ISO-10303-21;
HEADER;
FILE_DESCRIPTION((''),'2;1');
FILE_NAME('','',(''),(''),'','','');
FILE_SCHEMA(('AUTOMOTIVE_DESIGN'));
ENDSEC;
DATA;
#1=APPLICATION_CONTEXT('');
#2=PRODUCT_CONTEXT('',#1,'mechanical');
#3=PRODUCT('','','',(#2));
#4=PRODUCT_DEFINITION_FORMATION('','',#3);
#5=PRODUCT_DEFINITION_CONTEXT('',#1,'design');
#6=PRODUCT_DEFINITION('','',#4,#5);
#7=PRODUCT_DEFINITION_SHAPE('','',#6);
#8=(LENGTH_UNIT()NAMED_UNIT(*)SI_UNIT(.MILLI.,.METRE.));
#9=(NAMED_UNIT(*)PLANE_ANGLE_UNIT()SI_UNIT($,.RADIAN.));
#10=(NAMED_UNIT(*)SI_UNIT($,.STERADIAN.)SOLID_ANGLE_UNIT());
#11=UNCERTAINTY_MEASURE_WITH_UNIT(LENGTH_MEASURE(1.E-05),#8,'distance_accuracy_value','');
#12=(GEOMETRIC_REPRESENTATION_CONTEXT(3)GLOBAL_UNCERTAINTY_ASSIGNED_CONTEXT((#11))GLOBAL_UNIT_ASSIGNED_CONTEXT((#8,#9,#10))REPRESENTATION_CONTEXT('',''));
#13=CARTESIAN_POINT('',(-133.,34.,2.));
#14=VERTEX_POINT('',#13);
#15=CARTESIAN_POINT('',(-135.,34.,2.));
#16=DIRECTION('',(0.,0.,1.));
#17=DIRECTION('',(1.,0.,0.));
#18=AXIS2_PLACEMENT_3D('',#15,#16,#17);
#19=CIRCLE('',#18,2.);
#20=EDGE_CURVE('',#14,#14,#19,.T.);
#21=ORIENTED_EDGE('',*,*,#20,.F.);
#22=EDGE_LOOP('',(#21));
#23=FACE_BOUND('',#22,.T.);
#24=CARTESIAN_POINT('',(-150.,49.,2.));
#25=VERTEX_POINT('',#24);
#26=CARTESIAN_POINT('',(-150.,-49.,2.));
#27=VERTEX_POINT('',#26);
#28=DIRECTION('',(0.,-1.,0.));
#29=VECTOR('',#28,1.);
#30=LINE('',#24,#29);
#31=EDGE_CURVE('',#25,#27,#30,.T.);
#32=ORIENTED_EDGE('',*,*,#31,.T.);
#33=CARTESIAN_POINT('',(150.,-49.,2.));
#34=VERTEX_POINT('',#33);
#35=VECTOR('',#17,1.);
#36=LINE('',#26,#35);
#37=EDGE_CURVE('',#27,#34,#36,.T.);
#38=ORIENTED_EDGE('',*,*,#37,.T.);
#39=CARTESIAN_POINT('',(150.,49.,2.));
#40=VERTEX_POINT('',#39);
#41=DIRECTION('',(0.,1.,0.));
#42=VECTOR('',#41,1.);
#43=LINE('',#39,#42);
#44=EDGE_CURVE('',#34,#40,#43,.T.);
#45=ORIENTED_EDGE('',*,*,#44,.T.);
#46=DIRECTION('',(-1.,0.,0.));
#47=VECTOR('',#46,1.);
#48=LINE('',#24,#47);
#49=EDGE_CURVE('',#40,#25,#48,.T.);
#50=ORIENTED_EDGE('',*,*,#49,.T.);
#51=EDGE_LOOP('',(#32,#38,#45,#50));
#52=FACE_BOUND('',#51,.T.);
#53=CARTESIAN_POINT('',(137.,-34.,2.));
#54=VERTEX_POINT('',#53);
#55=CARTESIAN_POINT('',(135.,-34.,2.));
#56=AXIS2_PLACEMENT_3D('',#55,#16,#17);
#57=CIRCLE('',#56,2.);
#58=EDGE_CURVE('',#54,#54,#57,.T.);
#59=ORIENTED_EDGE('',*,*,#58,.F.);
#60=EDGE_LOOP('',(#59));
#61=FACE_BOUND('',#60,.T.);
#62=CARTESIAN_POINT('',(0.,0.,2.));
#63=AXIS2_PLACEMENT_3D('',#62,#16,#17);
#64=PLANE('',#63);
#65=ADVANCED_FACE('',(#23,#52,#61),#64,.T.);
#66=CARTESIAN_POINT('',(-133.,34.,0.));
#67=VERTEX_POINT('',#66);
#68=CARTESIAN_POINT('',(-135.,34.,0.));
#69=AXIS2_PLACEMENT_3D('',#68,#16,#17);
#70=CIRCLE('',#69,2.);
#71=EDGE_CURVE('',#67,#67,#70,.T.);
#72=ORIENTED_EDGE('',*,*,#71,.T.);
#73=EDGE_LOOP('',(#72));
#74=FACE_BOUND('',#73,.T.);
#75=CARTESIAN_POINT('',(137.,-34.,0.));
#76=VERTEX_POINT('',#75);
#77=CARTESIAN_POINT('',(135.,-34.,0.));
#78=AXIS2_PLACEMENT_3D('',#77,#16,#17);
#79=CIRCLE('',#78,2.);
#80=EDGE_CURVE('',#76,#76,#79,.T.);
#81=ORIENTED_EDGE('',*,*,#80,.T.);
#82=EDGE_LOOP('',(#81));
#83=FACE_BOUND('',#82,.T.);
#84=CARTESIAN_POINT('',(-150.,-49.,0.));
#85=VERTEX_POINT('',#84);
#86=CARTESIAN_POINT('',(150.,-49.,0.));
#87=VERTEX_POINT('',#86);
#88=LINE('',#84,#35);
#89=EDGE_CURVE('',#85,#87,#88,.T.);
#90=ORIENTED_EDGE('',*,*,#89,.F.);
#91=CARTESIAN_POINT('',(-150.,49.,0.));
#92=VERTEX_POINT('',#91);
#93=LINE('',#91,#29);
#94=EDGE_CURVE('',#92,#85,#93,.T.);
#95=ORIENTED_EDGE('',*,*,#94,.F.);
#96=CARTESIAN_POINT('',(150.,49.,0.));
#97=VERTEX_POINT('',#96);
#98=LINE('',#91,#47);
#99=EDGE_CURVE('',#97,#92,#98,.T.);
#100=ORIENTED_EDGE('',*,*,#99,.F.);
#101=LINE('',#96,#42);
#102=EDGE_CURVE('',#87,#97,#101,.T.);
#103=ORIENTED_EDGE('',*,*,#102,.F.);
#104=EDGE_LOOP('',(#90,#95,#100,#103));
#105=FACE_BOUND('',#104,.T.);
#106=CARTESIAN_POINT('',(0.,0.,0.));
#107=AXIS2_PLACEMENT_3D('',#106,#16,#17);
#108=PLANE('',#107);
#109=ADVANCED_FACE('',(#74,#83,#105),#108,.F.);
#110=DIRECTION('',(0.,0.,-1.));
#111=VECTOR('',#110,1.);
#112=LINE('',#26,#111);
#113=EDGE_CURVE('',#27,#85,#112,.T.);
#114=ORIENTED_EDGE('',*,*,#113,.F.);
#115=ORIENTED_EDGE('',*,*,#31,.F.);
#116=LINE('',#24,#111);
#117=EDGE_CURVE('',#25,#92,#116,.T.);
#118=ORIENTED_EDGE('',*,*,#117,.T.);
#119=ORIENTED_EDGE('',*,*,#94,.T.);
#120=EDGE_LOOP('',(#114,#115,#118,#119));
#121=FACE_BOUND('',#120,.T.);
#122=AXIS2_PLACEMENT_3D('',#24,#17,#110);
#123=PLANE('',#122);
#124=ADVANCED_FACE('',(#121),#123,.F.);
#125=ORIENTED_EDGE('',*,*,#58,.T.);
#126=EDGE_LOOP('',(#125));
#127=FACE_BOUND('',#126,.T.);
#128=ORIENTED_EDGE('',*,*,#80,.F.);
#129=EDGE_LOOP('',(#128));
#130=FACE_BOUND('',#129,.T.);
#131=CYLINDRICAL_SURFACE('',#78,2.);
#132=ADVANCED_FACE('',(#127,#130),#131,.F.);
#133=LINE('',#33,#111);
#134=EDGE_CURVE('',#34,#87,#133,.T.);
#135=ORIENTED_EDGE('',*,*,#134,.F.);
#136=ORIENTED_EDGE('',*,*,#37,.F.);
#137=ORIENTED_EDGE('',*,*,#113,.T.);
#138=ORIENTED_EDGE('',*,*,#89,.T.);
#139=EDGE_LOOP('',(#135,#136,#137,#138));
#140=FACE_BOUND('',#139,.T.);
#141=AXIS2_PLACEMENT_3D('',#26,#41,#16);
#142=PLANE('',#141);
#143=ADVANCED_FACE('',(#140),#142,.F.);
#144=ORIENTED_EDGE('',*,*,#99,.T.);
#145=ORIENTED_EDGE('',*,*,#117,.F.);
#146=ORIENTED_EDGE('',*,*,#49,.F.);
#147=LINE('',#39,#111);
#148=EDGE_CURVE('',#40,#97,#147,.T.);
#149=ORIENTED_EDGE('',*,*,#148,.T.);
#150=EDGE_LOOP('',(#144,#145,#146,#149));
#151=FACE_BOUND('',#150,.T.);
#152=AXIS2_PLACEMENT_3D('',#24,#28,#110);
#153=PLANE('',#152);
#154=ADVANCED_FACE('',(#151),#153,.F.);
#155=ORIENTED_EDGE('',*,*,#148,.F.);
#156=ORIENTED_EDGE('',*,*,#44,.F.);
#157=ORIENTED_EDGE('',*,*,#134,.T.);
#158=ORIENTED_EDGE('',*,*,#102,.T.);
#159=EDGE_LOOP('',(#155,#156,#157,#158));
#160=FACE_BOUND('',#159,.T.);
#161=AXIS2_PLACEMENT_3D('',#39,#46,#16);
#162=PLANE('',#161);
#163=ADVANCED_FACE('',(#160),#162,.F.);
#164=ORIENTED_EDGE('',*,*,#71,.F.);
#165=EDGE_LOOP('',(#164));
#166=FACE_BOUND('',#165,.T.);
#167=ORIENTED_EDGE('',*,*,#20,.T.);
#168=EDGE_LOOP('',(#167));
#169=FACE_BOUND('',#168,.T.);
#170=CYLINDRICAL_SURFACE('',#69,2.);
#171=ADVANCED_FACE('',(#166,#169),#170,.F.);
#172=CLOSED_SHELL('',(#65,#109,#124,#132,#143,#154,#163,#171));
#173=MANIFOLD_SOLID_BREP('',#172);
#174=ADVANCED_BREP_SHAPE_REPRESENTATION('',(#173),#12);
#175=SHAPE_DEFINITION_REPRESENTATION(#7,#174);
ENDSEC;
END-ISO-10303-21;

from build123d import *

# Parameters (mm, degrees)
SKETCH1_W           = 300
SKETCH1_H           = 98
BOSS_EXTRUDE1_DEPTH = 2
SKETCH2_R           = 2
CUT_EXTRUDE1_DEPTH  = 158.813180692


with BuildPart() as part:
    # Sketch1 → Boss-Extrude1 (new body)
    with BuildSketch(Plane.XY):
        Rectangle(SKETCH1_W, SKETCH1_H)
    extrude(amount=BOSS_EXTRUDE1_DEPTH)

    # Sketch2 → Cut-Extrude1 (cut, through all)
    with BuildSketch(Plane.XY.offset(2)):
        with Locations((-135, 34)):
            Circle(SKETCH2_R)
        with Locations((135, -34)):
            Circle(SKETCH2_R)
    extrude(amount=-CUT_EXTRUDE1_DEPTH, mode=Mode.SUBTRACT)


solid = part.part
